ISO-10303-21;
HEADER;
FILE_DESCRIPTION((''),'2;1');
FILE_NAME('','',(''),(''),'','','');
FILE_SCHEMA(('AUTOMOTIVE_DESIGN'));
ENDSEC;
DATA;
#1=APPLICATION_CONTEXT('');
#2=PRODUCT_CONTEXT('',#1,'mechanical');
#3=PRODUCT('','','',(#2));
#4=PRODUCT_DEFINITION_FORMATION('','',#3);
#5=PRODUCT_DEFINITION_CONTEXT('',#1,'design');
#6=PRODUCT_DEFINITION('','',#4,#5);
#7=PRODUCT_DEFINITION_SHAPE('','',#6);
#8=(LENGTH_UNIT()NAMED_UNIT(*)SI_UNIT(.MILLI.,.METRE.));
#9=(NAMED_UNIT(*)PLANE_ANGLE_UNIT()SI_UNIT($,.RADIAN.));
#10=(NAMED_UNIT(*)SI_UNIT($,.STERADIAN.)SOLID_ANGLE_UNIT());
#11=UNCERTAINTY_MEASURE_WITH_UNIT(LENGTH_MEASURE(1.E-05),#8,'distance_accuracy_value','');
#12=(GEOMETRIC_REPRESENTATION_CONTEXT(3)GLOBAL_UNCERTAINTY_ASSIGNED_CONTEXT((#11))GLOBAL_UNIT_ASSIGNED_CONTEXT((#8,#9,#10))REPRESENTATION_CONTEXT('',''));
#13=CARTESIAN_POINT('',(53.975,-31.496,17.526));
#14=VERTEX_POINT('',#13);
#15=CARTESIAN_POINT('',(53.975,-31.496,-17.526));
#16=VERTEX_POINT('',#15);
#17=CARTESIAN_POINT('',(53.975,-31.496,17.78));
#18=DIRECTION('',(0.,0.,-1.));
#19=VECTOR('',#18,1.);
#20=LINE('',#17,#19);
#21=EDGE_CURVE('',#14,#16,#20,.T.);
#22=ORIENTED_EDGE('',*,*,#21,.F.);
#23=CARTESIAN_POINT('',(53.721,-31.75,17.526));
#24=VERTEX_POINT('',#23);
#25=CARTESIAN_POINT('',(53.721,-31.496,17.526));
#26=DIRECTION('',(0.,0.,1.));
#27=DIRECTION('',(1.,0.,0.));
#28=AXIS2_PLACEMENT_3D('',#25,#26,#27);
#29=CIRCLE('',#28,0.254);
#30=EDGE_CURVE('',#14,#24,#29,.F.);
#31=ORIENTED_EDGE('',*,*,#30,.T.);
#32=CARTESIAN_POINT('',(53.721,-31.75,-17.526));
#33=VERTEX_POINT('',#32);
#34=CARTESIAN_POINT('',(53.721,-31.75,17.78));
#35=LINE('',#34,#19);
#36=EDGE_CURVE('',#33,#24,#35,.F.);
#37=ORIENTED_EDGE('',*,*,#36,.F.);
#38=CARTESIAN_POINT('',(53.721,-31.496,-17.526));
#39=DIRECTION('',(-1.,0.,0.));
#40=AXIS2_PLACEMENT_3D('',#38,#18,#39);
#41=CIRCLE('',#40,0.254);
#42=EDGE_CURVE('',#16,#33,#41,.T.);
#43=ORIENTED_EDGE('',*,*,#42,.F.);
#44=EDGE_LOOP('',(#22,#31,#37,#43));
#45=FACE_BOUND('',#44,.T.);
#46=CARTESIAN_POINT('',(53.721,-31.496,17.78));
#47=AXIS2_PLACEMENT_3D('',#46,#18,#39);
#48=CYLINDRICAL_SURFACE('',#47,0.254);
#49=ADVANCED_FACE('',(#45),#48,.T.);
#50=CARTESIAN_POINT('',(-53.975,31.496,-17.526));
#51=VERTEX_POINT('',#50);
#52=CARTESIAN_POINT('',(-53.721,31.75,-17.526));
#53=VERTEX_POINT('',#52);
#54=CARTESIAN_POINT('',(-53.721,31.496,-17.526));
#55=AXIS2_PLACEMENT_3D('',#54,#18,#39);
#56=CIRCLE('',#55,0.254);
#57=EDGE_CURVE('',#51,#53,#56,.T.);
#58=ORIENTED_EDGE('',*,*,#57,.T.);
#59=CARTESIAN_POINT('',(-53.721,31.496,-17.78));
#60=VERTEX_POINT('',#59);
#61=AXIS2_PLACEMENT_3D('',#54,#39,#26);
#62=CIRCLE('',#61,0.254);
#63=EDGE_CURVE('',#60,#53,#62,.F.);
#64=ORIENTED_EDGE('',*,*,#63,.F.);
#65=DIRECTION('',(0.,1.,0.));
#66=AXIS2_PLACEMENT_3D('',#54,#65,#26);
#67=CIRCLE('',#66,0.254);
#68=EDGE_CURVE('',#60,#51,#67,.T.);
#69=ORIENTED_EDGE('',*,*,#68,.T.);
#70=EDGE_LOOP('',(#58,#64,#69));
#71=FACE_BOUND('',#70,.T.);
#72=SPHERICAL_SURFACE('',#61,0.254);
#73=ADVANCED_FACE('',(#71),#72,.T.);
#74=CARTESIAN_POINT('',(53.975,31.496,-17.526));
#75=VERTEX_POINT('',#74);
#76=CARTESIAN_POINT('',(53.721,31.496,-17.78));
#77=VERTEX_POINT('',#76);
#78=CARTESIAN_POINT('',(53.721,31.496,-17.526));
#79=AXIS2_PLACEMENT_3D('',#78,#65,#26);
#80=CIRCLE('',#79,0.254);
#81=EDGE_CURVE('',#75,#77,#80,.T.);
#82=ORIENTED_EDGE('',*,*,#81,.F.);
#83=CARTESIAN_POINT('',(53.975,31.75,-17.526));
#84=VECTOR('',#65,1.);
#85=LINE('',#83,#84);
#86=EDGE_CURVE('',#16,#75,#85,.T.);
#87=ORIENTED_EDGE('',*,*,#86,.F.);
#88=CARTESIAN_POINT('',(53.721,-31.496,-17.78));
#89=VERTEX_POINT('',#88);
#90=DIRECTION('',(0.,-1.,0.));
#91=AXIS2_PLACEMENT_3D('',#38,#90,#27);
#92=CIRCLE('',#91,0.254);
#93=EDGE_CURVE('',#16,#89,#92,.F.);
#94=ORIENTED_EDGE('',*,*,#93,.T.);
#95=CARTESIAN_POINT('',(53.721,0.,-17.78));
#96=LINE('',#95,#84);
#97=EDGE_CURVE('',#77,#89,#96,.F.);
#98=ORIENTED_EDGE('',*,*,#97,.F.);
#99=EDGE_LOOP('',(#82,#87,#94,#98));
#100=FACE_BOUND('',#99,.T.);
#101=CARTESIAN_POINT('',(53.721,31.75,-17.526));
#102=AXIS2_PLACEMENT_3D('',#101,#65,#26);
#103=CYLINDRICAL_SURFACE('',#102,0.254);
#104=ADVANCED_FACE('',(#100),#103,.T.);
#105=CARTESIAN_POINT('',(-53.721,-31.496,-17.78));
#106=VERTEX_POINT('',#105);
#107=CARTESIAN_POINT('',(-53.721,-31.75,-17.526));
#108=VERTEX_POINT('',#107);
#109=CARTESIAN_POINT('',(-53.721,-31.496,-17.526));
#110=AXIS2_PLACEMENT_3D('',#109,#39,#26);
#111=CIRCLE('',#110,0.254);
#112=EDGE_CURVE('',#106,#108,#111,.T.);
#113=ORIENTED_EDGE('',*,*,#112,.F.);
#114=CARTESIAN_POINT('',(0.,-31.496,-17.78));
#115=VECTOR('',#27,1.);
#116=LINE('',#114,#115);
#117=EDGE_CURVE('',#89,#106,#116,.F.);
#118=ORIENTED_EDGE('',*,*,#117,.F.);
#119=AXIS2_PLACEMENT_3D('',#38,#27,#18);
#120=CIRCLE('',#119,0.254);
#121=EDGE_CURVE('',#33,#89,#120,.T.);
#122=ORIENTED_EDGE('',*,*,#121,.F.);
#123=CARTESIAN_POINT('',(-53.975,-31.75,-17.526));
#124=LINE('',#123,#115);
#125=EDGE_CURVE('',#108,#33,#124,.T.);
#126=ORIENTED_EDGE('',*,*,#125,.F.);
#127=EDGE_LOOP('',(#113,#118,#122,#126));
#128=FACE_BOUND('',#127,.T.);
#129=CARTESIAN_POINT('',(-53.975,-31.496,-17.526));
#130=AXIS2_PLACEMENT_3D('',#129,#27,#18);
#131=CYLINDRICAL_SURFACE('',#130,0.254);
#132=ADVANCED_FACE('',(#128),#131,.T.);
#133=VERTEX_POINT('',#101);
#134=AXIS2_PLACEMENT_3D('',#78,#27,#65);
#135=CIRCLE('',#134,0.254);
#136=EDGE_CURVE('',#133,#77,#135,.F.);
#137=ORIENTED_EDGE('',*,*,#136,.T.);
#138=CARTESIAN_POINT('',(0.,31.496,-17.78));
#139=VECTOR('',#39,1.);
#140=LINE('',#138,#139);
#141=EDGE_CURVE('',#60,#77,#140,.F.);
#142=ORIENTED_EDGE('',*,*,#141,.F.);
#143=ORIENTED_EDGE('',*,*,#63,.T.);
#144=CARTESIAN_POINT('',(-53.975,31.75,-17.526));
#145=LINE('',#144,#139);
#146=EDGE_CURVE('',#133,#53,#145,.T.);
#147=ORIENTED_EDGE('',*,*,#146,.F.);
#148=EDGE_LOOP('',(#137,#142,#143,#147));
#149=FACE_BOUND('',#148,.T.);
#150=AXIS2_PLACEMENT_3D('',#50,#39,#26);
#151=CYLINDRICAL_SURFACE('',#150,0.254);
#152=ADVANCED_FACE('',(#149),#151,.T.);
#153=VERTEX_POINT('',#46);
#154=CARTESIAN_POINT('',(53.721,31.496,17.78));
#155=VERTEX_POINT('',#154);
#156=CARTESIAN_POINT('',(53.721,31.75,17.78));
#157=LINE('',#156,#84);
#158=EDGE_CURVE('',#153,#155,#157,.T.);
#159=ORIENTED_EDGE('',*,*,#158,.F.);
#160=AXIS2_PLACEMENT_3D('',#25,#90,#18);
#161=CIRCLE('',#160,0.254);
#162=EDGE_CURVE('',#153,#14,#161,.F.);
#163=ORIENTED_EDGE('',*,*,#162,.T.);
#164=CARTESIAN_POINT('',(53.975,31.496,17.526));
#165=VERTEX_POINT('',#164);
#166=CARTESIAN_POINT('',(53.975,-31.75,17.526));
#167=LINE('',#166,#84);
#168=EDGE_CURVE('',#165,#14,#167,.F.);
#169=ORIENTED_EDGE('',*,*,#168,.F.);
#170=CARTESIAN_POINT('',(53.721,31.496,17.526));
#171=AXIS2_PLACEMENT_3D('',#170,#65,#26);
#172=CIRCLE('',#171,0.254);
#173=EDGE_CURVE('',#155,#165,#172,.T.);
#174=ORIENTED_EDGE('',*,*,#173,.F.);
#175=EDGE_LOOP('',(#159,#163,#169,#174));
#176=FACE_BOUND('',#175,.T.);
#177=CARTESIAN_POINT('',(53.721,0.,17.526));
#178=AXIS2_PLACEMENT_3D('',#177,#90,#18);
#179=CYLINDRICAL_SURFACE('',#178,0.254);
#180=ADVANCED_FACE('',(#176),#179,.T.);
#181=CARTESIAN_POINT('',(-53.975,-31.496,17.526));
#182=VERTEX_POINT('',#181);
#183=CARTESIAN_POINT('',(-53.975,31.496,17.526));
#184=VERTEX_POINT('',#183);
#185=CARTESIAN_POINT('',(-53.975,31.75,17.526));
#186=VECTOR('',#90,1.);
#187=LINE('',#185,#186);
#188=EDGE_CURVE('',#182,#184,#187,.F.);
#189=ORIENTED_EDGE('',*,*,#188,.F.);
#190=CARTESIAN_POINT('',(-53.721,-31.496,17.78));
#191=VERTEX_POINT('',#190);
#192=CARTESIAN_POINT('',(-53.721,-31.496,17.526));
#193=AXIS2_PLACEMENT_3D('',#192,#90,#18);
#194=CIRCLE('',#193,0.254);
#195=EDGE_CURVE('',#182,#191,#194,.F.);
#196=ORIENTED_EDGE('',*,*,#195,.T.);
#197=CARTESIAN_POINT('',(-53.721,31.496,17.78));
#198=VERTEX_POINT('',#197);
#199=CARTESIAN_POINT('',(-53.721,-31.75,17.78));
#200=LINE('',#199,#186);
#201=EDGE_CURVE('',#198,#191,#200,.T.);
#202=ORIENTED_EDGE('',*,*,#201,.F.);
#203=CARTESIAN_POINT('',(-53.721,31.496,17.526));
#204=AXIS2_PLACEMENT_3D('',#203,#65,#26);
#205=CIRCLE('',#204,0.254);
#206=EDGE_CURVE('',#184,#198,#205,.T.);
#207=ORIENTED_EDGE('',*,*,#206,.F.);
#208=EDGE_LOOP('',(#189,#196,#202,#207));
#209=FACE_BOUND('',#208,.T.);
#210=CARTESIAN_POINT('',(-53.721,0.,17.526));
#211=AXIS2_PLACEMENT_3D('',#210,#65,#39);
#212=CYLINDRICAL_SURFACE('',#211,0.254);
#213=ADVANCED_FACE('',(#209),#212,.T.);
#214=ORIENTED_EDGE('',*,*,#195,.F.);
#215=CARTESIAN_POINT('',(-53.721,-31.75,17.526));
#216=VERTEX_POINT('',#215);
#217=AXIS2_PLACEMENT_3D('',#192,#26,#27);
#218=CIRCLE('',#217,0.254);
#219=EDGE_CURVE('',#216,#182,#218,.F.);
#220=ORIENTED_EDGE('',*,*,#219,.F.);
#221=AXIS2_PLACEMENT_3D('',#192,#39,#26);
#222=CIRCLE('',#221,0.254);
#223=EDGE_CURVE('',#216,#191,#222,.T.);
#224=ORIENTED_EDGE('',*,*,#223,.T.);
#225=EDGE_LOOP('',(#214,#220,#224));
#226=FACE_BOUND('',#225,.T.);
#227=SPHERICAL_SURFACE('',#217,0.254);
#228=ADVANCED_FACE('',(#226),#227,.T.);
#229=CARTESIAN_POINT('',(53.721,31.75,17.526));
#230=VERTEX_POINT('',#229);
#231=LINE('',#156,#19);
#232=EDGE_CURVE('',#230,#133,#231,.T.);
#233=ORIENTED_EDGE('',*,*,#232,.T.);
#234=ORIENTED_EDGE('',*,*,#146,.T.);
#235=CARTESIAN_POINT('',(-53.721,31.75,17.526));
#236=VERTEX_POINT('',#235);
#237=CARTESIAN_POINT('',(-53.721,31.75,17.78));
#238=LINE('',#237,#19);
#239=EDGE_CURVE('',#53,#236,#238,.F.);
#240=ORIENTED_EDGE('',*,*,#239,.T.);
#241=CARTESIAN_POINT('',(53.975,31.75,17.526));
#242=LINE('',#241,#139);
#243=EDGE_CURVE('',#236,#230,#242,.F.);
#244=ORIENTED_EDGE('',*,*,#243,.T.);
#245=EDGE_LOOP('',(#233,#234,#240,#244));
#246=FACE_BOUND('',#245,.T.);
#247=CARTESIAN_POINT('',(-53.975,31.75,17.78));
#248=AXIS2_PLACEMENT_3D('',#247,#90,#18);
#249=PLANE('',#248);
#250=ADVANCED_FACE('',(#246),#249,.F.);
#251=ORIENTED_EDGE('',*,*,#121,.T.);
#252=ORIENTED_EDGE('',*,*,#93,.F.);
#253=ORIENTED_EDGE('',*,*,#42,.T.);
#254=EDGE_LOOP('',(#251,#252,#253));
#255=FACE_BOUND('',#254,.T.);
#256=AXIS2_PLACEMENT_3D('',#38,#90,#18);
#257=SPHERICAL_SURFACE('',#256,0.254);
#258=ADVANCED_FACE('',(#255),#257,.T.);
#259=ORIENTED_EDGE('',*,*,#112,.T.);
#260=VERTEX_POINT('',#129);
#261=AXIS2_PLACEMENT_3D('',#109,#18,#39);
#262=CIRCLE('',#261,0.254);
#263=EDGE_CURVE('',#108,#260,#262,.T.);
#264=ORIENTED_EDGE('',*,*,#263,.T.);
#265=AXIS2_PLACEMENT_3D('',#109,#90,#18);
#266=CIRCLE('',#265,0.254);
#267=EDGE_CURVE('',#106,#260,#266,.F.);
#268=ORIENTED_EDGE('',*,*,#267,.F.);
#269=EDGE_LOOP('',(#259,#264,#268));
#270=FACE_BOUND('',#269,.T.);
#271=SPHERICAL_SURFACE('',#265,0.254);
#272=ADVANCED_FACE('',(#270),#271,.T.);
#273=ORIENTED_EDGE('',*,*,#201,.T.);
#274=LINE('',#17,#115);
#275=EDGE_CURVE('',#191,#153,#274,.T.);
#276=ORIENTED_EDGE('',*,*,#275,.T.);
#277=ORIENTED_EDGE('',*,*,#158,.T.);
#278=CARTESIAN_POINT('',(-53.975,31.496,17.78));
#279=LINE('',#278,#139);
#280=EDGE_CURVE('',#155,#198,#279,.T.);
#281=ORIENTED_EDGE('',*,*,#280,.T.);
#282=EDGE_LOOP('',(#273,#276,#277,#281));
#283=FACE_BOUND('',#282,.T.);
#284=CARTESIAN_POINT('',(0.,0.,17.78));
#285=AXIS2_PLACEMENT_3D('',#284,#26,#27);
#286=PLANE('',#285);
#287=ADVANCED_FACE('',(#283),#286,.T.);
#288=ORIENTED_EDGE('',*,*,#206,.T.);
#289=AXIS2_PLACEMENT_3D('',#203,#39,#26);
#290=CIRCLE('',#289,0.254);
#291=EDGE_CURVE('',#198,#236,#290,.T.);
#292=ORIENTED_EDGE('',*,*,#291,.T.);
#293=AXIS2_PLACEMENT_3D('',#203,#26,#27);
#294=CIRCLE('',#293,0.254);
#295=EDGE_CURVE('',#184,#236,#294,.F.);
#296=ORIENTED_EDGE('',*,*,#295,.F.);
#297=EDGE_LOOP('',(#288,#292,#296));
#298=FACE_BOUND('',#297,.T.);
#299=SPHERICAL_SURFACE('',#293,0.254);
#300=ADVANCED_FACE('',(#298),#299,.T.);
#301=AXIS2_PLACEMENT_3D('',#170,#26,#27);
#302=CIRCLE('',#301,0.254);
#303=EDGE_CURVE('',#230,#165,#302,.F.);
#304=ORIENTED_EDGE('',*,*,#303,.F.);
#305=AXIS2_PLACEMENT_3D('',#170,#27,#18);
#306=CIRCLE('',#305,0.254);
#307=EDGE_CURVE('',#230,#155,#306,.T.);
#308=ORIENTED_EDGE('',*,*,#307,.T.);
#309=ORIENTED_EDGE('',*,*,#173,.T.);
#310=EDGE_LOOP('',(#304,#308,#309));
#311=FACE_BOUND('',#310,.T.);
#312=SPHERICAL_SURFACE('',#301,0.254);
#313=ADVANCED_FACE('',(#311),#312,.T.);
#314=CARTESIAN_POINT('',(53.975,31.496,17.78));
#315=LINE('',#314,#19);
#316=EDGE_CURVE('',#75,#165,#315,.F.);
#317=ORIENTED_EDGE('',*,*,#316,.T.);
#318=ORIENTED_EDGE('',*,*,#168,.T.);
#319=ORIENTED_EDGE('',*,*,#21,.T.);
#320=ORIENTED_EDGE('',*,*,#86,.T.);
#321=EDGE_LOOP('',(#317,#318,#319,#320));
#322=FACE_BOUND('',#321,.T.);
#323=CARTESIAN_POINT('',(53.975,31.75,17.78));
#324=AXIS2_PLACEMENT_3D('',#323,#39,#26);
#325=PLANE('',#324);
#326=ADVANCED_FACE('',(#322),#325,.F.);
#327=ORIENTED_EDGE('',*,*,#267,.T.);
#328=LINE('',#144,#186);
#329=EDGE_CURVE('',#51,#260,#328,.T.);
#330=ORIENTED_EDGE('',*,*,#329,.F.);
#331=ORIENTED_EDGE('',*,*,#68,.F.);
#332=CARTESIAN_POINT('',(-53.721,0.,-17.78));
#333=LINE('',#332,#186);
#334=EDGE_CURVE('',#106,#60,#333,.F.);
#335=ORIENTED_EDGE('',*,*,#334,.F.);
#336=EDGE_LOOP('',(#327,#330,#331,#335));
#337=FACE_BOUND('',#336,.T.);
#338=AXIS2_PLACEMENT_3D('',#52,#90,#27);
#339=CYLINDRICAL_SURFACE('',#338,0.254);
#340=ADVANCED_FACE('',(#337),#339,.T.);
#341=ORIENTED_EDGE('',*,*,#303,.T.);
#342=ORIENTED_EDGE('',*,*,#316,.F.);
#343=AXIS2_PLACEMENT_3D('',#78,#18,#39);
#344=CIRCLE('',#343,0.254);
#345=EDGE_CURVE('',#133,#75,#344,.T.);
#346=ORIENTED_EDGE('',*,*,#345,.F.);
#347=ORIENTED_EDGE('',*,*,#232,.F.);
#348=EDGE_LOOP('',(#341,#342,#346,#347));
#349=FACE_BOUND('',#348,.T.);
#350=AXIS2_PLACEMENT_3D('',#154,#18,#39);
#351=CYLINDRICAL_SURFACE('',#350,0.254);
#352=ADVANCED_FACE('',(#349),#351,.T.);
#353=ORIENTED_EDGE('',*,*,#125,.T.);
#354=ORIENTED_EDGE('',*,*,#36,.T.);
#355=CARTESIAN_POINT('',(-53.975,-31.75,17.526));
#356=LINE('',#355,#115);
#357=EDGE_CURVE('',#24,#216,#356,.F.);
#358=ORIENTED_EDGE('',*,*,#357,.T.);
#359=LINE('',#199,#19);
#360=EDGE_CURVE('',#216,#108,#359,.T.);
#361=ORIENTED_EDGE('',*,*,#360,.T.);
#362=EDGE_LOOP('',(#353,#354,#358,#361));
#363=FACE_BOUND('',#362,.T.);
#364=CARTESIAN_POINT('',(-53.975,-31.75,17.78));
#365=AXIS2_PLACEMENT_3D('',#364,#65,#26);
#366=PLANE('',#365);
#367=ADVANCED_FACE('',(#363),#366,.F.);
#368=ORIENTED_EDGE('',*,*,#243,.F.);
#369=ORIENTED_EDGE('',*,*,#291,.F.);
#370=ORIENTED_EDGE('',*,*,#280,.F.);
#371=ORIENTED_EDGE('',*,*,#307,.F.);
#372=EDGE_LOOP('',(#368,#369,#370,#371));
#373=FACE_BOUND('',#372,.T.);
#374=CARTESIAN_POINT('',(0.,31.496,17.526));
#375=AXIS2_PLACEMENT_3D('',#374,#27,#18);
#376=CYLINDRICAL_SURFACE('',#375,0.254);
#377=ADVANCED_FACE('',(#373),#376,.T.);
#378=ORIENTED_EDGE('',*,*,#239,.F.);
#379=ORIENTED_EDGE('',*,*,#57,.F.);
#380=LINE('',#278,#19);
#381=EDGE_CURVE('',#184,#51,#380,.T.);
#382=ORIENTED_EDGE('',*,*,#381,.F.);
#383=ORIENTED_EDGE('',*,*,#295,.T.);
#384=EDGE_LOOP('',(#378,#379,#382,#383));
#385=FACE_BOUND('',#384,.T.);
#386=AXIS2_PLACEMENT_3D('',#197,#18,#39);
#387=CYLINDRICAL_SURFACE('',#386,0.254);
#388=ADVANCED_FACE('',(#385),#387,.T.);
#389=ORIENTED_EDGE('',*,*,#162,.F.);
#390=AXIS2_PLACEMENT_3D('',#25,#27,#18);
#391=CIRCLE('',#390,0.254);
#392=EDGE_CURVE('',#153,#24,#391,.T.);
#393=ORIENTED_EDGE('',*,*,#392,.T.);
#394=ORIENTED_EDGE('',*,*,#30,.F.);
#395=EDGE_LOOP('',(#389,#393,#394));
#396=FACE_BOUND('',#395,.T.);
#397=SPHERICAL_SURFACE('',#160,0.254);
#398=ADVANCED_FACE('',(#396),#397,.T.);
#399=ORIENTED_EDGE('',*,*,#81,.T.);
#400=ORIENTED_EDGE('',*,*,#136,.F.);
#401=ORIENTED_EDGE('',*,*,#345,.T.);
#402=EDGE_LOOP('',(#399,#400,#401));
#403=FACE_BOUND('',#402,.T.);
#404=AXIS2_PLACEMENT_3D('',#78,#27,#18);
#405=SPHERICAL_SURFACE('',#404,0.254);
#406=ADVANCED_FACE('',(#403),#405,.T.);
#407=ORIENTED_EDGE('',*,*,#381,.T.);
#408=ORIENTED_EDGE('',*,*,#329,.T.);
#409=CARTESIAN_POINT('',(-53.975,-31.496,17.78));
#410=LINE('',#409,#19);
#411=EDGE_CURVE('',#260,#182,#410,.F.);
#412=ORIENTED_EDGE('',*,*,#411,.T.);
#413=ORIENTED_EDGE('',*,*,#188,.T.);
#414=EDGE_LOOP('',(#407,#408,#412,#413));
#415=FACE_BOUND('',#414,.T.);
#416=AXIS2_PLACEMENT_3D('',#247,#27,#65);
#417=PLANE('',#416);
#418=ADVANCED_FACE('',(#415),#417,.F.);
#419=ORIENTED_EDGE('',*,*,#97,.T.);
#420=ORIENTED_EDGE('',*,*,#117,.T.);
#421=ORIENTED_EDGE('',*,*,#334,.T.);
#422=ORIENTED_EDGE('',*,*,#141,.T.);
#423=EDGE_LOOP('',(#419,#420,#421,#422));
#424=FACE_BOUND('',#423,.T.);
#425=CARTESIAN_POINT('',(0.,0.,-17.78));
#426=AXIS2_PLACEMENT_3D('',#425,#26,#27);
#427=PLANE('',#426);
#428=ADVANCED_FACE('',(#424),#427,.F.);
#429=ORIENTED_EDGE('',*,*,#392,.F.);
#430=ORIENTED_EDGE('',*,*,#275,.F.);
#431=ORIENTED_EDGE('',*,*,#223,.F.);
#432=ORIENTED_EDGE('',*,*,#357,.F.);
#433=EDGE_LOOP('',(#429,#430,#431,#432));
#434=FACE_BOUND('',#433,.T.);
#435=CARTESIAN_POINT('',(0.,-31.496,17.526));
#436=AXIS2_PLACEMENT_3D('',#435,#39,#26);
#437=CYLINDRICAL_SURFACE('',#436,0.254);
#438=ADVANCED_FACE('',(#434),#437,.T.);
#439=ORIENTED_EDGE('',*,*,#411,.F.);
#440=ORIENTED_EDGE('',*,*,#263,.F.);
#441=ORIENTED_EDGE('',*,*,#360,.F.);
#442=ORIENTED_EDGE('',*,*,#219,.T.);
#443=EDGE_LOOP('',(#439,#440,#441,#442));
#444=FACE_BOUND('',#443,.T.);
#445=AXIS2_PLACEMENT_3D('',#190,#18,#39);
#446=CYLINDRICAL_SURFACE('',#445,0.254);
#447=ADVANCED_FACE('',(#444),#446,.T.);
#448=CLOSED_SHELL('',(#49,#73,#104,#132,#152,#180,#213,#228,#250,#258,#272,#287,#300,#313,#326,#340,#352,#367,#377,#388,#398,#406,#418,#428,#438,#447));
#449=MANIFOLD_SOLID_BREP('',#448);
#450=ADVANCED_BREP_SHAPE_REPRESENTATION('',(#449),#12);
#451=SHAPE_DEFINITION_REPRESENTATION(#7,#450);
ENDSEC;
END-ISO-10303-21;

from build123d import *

# Parameters (mm, degrees)
SKETCH1_W           = 107.95
SKETCH1_H           = 63.5
BOSS_EXTRUDE1_DEPTH = 17.78
FILLET1_R           = 0.254


with BuildPart() as part:
    # Sketch1 → Boss-Extrude1 (new body, symmetric)
    with BuildSketch(Plane.XY):
        Rectangle(SKETCH1_W, SKETCH1_H)
    extrude(amount=BOSS_EXTRUDE1_DEPTH, both=True)

    # Fillet1
    fillet1_edges = [part.edges().sort_by_distance(p)[0] for p in [
        (-53.975, 0, 17.78),
        (0, -31.75, 17.78),
        (53.975, 0, 17.78),
        (0, -31.75, -17.78),
        (-53.975, 0, -17.78),
        (0, 31.75, -17.78),
        (53.975, 0, -17.78),
        (53.975, -31.75, 0),
        (-53.975, -31.75, 0),
        (-53.975, 31.75, 0),
        (53.975, 31.75, 0),
        (0, 31.75, 17.78),
    ]]
    fillet(fillet1_edges, radius=FILLET1_R)


solid = part.part
